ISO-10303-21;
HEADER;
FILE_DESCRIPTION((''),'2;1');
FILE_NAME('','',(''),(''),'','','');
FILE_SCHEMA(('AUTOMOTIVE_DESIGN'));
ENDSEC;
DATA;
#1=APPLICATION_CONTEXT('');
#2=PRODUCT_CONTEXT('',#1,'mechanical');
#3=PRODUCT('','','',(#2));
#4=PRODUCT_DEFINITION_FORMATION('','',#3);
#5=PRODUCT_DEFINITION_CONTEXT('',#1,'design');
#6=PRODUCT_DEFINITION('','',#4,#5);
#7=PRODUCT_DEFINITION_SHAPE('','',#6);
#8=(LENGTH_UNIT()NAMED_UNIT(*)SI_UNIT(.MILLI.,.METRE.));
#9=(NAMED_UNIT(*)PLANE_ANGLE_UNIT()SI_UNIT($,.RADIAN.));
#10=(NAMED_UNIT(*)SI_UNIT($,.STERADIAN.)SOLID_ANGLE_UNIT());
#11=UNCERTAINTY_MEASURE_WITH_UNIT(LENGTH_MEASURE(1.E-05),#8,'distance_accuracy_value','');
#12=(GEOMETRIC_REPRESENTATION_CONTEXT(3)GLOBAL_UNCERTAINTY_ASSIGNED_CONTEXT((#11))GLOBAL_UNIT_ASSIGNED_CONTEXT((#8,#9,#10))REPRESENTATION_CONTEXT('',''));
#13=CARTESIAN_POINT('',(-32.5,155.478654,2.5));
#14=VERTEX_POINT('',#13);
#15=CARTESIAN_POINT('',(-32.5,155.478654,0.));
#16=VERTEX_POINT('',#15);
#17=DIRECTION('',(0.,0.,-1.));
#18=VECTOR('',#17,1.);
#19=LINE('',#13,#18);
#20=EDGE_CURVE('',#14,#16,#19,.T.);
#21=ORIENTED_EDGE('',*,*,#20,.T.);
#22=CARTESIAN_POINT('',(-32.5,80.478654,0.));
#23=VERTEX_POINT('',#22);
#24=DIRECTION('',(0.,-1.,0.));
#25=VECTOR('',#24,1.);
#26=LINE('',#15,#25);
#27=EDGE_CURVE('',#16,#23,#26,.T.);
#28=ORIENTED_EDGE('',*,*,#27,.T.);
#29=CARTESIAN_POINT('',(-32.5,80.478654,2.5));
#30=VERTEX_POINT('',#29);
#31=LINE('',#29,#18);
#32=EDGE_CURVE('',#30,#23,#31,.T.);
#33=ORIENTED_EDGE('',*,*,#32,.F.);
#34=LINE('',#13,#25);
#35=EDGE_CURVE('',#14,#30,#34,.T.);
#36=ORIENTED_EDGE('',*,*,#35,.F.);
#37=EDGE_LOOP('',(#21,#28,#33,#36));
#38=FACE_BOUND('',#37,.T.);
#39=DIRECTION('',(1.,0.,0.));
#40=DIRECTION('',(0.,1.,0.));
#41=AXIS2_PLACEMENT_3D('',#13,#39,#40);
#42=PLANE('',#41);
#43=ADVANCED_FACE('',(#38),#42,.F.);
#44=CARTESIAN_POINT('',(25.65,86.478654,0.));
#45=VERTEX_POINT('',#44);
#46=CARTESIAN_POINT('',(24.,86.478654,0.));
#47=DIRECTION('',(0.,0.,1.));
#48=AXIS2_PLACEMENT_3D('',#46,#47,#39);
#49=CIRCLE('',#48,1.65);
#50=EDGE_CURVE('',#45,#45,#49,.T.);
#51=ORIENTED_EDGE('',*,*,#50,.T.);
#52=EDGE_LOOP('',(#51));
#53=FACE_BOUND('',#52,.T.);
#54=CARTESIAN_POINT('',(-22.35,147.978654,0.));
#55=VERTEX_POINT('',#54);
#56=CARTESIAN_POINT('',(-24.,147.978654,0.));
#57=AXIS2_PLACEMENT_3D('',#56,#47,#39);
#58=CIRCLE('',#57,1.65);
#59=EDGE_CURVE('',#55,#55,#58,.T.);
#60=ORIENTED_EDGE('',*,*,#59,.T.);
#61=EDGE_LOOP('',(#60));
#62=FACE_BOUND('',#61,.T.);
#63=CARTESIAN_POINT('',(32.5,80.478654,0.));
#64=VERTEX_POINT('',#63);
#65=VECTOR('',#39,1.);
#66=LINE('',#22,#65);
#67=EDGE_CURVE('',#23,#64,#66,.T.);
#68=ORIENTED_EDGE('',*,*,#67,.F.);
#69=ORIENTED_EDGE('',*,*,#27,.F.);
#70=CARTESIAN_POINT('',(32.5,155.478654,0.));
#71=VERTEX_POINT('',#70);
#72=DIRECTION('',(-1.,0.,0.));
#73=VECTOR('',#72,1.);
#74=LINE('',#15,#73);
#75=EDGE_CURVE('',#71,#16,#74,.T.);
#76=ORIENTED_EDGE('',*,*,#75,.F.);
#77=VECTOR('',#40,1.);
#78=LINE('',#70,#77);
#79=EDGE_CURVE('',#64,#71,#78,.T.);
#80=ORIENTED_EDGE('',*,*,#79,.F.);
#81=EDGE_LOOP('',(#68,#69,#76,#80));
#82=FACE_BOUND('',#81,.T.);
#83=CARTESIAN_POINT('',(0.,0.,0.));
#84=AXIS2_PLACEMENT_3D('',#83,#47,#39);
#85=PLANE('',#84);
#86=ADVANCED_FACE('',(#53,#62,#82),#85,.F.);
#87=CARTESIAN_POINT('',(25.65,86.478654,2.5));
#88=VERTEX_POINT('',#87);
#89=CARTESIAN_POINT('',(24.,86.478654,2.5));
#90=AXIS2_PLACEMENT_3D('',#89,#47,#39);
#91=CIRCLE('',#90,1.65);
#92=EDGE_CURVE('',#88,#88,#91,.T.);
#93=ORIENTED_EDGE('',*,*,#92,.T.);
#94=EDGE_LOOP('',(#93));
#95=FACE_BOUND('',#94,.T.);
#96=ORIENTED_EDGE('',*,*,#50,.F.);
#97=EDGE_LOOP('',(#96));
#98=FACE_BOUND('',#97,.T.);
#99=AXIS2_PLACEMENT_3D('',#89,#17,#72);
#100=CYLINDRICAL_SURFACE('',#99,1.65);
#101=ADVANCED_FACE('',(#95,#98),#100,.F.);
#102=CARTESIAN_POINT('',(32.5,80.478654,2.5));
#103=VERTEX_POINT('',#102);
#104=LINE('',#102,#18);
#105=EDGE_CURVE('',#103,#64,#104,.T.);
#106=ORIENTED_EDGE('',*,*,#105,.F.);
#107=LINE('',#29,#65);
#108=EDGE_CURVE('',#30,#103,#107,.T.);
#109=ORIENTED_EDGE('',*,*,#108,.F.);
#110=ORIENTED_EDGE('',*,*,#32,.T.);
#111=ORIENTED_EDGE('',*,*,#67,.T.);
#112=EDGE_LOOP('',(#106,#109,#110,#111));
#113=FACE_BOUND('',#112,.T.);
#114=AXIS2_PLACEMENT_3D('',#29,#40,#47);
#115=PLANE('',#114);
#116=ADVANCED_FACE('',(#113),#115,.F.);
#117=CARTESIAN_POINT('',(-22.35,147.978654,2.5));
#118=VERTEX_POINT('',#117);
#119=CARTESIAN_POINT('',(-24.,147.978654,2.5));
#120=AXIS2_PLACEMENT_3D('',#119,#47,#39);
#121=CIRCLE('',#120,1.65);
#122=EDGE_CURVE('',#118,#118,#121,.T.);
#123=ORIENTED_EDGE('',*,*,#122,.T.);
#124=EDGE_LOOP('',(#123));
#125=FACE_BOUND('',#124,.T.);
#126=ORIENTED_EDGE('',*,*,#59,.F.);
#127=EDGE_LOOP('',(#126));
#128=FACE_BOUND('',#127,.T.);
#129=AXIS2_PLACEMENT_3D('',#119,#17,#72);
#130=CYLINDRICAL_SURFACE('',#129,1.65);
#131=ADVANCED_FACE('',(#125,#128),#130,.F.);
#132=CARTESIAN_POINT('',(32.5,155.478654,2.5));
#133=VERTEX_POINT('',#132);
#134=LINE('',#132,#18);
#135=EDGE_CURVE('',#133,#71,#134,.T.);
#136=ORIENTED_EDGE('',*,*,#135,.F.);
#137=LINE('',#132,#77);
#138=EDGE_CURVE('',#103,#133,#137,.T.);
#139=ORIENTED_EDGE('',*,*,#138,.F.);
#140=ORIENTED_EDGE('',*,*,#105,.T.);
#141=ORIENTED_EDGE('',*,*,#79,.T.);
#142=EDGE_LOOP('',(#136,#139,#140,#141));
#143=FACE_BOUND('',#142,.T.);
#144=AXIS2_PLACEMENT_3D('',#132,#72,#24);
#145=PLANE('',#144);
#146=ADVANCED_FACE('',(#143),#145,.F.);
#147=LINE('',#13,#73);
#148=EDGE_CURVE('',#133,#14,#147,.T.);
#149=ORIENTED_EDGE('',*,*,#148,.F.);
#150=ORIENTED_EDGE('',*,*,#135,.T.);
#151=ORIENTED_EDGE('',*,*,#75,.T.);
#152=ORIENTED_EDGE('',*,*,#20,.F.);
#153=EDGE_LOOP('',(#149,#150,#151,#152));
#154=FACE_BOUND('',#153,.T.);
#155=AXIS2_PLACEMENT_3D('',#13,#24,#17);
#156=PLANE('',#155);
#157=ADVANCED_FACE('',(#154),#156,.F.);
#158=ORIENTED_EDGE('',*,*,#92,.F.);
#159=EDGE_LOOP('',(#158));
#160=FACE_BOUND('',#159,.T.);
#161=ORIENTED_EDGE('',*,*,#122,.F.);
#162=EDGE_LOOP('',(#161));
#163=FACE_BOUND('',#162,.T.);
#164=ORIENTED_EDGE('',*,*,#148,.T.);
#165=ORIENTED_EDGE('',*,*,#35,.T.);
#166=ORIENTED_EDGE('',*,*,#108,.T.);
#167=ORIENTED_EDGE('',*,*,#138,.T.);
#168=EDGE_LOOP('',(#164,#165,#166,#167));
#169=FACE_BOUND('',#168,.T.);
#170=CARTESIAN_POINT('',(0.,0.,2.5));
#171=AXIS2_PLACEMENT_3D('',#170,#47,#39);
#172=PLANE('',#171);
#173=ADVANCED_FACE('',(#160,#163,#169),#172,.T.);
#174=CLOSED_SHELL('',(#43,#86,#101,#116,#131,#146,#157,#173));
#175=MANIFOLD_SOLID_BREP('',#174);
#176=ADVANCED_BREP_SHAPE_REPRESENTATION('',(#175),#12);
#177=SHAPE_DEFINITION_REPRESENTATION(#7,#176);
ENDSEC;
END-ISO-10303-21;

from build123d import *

# Parameters (mm, degrees)
SKETCH1_W           = 65
SKETCH1_H           = 75
SKETCH1_R           = 1.65
BOSS_EXTRUDE1_DEPTH = 2.5


with BuildPart() as part:
    # Sketch1 → Boss-Extrude1 (new body)
    with BuildSketch(Plane.XY):
        with Locations((0, 117.978654182)):
            Rectangle(SKETCH1_W, SKETCH1_H)
        with Locations((-24, 147.978654182)):
            Circle(SKETCH1_R, mode=Mode.SUBTRACT)
        with Locations((24, 86.478654182)):
            Circle(SKETCH1_R, mode=Mode.SUBTRACT)
    extrude(amount=BOSS_EXTRUDE1_DEPTH)


solid = part.part
